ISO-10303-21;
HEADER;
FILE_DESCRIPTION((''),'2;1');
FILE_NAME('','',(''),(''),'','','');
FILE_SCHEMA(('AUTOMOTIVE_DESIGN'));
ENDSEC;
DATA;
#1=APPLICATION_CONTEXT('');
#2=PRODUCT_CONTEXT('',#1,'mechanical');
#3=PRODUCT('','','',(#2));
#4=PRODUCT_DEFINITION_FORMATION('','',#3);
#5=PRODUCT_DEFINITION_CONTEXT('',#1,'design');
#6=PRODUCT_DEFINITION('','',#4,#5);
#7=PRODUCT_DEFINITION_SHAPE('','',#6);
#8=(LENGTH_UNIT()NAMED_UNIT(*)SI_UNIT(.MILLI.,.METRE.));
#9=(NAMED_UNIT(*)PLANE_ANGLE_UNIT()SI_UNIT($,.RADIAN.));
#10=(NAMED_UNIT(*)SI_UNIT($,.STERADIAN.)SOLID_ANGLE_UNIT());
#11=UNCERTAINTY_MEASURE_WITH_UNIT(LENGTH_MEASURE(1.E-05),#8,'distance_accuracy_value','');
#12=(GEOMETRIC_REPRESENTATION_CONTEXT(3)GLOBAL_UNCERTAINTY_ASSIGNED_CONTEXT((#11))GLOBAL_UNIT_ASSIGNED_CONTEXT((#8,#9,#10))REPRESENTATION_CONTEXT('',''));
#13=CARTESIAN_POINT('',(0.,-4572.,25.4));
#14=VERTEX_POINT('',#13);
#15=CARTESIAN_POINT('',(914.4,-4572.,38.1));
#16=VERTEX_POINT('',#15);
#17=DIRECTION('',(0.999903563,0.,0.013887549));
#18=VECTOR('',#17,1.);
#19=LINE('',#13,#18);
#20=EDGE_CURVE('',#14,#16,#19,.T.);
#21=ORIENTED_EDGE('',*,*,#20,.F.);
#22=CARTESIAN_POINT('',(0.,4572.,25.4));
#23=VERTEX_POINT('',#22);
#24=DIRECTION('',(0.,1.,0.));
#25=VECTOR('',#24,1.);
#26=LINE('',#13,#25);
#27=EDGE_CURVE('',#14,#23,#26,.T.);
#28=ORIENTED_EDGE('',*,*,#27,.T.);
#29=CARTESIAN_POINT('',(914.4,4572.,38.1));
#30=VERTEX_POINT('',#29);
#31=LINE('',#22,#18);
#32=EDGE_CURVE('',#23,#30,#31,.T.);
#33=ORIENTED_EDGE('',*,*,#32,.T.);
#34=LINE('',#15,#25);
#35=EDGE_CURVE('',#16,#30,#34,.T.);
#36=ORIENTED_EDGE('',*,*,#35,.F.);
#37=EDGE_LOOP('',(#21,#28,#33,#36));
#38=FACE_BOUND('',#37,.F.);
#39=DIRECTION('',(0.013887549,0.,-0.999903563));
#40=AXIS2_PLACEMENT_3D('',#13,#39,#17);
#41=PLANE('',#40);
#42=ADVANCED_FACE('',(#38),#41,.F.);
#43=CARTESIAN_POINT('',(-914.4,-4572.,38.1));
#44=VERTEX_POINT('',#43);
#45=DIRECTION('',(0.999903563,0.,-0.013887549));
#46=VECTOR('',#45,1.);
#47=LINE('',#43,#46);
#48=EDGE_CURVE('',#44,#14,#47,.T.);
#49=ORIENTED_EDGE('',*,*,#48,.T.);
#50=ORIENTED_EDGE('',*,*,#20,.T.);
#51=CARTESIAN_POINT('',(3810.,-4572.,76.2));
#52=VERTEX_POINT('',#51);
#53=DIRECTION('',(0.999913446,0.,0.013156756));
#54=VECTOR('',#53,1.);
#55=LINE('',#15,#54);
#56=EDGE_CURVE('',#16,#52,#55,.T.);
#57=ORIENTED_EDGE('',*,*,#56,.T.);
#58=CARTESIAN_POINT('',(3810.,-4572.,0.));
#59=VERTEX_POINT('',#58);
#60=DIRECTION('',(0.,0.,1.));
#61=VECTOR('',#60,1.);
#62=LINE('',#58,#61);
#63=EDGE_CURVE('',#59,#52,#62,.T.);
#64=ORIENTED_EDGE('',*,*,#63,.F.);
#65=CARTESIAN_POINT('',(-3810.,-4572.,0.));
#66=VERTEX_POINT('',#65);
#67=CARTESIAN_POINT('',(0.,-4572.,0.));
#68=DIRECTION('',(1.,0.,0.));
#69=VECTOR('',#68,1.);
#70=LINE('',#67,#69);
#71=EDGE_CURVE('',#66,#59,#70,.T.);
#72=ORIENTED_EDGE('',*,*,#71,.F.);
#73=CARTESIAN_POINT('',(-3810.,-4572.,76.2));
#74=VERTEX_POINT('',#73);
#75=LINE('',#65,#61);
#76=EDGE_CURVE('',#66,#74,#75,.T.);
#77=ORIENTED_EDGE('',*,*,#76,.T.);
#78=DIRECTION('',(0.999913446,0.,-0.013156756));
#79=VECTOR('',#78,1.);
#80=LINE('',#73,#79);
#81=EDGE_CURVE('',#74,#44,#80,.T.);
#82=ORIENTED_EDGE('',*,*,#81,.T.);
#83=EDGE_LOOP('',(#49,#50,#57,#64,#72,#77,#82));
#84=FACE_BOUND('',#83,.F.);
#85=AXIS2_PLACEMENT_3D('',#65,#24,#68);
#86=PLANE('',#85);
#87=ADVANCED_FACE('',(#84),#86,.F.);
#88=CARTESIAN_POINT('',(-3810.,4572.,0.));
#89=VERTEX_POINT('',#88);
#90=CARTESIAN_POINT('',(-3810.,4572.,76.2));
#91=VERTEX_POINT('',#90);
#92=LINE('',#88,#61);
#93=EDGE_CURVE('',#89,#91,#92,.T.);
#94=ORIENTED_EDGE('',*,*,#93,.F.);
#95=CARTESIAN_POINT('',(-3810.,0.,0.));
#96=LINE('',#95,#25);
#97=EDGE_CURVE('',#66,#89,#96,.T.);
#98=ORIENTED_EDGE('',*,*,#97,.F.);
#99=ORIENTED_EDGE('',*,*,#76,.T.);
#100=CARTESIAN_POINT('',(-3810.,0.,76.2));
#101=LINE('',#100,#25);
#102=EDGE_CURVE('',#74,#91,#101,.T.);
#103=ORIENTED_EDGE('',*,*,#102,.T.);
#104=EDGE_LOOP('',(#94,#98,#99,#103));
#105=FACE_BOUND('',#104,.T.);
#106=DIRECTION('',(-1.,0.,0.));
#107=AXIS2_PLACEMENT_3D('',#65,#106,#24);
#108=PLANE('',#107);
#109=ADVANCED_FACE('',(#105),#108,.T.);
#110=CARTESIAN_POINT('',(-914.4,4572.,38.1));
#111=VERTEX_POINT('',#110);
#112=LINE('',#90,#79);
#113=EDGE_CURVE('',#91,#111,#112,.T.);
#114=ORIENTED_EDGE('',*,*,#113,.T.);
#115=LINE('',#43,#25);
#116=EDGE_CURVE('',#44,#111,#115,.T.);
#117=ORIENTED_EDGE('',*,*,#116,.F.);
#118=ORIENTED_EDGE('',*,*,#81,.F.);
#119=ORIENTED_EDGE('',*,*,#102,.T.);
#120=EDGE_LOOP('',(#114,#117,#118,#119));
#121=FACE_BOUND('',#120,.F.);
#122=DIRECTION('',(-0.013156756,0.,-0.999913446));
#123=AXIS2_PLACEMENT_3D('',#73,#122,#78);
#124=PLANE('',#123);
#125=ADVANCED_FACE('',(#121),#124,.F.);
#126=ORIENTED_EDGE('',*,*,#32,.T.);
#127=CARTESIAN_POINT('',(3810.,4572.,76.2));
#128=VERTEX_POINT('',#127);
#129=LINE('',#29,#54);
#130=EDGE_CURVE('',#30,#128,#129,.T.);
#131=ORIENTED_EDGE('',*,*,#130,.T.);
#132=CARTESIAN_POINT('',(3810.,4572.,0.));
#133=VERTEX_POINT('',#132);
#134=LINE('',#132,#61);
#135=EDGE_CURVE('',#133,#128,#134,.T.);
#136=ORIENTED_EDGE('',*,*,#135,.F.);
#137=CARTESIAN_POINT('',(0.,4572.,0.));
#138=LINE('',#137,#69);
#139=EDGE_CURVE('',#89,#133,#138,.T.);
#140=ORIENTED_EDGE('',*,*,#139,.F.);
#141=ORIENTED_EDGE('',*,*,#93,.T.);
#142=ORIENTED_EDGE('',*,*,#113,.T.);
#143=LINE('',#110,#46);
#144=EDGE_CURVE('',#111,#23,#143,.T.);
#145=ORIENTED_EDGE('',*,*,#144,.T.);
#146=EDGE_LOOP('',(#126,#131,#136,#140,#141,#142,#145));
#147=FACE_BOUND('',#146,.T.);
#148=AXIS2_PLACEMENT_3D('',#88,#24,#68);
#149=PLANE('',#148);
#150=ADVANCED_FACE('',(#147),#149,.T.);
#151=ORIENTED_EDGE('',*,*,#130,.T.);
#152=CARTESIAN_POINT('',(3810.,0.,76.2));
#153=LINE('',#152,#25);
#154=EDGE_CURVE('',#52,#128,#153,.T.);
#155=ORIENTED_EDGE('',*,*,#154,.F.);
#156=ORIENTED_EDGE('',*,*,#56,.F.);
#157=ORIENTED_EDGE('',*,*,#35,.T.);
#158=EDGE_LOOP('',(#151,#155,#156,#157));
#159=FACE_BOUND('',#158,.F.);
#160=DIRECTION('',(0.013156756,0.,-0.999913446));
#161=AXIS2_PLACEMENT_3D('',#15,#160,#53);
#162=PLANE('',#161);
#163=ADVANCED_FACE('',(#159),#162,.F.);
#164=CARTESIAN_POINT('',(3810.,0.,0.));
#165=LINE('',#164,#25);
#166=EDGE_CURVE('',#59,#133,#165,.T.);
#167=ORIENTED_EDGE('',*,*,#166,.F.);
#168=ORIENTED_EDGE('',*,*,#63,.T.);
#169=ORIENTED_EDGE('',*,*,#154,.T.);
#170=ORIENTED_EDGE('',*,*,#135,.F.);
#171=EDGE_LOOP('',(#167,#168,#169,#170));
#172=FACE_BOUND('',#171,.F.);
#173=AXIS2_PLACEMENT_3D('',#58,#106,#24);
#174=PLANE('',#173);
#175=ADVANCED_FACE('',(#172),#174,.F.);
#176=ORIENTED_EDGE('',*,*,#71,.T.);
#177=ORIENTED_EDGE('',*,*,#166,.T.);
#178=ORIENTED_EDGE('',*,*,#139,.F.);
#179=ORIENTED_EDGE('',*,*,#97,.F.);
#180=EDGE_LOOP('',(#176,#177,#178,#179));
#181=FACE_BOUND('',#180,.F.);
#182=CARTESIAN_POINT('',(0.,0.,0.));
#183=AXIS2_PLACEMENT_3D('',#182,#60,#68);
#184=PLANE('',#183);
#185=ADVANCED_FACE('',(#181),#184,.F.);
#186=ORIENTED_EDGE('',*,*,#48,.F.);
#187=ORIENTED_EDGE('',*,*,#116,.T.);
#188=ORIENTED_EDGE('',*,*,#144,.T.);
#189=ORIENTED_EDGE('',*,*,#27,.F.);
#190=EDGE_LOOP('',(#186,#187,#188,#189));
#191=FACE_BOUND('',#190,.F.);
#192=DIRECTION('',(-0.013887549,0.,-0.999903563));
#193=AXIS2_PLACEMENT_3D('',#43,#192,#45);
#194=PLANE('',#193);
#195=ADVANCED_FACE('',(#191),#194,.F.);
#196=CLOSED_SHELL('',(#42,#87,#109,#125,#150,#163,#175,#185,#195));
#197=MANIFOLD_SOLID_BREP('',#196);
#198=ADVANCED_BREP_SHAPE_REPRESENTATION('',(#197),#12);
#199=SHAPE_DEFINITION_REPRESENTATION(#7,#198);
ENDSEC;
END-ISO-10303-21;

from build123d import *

# Parameters (mm, degrees)
F0_W     = 7620
F0_H     = 9144
F1_DEPTH = 76.2
F3_DEPTH = 9144


with BuildPart() as f1:
    # F0 (on Top) → F1 (new body)
    with BuildSketch(Plane.XY):
        Rectangle(F0_W, F0_H)
    extrude(amount=F1_DEPTH)

    # F2 (on face) → F3 (cut, through all)
    with BuildSketch(Plane.XZ.offset(4572)):
        Polygon((914.4, 38.1), (3810, 76.2), (-3810, 76.2), (-914.4, 38.1), (0, 25.4), align=None)
    extrude(amount=-F3_DEPTH, mode=Mode.SUBTRACT)


solid = f1.part
